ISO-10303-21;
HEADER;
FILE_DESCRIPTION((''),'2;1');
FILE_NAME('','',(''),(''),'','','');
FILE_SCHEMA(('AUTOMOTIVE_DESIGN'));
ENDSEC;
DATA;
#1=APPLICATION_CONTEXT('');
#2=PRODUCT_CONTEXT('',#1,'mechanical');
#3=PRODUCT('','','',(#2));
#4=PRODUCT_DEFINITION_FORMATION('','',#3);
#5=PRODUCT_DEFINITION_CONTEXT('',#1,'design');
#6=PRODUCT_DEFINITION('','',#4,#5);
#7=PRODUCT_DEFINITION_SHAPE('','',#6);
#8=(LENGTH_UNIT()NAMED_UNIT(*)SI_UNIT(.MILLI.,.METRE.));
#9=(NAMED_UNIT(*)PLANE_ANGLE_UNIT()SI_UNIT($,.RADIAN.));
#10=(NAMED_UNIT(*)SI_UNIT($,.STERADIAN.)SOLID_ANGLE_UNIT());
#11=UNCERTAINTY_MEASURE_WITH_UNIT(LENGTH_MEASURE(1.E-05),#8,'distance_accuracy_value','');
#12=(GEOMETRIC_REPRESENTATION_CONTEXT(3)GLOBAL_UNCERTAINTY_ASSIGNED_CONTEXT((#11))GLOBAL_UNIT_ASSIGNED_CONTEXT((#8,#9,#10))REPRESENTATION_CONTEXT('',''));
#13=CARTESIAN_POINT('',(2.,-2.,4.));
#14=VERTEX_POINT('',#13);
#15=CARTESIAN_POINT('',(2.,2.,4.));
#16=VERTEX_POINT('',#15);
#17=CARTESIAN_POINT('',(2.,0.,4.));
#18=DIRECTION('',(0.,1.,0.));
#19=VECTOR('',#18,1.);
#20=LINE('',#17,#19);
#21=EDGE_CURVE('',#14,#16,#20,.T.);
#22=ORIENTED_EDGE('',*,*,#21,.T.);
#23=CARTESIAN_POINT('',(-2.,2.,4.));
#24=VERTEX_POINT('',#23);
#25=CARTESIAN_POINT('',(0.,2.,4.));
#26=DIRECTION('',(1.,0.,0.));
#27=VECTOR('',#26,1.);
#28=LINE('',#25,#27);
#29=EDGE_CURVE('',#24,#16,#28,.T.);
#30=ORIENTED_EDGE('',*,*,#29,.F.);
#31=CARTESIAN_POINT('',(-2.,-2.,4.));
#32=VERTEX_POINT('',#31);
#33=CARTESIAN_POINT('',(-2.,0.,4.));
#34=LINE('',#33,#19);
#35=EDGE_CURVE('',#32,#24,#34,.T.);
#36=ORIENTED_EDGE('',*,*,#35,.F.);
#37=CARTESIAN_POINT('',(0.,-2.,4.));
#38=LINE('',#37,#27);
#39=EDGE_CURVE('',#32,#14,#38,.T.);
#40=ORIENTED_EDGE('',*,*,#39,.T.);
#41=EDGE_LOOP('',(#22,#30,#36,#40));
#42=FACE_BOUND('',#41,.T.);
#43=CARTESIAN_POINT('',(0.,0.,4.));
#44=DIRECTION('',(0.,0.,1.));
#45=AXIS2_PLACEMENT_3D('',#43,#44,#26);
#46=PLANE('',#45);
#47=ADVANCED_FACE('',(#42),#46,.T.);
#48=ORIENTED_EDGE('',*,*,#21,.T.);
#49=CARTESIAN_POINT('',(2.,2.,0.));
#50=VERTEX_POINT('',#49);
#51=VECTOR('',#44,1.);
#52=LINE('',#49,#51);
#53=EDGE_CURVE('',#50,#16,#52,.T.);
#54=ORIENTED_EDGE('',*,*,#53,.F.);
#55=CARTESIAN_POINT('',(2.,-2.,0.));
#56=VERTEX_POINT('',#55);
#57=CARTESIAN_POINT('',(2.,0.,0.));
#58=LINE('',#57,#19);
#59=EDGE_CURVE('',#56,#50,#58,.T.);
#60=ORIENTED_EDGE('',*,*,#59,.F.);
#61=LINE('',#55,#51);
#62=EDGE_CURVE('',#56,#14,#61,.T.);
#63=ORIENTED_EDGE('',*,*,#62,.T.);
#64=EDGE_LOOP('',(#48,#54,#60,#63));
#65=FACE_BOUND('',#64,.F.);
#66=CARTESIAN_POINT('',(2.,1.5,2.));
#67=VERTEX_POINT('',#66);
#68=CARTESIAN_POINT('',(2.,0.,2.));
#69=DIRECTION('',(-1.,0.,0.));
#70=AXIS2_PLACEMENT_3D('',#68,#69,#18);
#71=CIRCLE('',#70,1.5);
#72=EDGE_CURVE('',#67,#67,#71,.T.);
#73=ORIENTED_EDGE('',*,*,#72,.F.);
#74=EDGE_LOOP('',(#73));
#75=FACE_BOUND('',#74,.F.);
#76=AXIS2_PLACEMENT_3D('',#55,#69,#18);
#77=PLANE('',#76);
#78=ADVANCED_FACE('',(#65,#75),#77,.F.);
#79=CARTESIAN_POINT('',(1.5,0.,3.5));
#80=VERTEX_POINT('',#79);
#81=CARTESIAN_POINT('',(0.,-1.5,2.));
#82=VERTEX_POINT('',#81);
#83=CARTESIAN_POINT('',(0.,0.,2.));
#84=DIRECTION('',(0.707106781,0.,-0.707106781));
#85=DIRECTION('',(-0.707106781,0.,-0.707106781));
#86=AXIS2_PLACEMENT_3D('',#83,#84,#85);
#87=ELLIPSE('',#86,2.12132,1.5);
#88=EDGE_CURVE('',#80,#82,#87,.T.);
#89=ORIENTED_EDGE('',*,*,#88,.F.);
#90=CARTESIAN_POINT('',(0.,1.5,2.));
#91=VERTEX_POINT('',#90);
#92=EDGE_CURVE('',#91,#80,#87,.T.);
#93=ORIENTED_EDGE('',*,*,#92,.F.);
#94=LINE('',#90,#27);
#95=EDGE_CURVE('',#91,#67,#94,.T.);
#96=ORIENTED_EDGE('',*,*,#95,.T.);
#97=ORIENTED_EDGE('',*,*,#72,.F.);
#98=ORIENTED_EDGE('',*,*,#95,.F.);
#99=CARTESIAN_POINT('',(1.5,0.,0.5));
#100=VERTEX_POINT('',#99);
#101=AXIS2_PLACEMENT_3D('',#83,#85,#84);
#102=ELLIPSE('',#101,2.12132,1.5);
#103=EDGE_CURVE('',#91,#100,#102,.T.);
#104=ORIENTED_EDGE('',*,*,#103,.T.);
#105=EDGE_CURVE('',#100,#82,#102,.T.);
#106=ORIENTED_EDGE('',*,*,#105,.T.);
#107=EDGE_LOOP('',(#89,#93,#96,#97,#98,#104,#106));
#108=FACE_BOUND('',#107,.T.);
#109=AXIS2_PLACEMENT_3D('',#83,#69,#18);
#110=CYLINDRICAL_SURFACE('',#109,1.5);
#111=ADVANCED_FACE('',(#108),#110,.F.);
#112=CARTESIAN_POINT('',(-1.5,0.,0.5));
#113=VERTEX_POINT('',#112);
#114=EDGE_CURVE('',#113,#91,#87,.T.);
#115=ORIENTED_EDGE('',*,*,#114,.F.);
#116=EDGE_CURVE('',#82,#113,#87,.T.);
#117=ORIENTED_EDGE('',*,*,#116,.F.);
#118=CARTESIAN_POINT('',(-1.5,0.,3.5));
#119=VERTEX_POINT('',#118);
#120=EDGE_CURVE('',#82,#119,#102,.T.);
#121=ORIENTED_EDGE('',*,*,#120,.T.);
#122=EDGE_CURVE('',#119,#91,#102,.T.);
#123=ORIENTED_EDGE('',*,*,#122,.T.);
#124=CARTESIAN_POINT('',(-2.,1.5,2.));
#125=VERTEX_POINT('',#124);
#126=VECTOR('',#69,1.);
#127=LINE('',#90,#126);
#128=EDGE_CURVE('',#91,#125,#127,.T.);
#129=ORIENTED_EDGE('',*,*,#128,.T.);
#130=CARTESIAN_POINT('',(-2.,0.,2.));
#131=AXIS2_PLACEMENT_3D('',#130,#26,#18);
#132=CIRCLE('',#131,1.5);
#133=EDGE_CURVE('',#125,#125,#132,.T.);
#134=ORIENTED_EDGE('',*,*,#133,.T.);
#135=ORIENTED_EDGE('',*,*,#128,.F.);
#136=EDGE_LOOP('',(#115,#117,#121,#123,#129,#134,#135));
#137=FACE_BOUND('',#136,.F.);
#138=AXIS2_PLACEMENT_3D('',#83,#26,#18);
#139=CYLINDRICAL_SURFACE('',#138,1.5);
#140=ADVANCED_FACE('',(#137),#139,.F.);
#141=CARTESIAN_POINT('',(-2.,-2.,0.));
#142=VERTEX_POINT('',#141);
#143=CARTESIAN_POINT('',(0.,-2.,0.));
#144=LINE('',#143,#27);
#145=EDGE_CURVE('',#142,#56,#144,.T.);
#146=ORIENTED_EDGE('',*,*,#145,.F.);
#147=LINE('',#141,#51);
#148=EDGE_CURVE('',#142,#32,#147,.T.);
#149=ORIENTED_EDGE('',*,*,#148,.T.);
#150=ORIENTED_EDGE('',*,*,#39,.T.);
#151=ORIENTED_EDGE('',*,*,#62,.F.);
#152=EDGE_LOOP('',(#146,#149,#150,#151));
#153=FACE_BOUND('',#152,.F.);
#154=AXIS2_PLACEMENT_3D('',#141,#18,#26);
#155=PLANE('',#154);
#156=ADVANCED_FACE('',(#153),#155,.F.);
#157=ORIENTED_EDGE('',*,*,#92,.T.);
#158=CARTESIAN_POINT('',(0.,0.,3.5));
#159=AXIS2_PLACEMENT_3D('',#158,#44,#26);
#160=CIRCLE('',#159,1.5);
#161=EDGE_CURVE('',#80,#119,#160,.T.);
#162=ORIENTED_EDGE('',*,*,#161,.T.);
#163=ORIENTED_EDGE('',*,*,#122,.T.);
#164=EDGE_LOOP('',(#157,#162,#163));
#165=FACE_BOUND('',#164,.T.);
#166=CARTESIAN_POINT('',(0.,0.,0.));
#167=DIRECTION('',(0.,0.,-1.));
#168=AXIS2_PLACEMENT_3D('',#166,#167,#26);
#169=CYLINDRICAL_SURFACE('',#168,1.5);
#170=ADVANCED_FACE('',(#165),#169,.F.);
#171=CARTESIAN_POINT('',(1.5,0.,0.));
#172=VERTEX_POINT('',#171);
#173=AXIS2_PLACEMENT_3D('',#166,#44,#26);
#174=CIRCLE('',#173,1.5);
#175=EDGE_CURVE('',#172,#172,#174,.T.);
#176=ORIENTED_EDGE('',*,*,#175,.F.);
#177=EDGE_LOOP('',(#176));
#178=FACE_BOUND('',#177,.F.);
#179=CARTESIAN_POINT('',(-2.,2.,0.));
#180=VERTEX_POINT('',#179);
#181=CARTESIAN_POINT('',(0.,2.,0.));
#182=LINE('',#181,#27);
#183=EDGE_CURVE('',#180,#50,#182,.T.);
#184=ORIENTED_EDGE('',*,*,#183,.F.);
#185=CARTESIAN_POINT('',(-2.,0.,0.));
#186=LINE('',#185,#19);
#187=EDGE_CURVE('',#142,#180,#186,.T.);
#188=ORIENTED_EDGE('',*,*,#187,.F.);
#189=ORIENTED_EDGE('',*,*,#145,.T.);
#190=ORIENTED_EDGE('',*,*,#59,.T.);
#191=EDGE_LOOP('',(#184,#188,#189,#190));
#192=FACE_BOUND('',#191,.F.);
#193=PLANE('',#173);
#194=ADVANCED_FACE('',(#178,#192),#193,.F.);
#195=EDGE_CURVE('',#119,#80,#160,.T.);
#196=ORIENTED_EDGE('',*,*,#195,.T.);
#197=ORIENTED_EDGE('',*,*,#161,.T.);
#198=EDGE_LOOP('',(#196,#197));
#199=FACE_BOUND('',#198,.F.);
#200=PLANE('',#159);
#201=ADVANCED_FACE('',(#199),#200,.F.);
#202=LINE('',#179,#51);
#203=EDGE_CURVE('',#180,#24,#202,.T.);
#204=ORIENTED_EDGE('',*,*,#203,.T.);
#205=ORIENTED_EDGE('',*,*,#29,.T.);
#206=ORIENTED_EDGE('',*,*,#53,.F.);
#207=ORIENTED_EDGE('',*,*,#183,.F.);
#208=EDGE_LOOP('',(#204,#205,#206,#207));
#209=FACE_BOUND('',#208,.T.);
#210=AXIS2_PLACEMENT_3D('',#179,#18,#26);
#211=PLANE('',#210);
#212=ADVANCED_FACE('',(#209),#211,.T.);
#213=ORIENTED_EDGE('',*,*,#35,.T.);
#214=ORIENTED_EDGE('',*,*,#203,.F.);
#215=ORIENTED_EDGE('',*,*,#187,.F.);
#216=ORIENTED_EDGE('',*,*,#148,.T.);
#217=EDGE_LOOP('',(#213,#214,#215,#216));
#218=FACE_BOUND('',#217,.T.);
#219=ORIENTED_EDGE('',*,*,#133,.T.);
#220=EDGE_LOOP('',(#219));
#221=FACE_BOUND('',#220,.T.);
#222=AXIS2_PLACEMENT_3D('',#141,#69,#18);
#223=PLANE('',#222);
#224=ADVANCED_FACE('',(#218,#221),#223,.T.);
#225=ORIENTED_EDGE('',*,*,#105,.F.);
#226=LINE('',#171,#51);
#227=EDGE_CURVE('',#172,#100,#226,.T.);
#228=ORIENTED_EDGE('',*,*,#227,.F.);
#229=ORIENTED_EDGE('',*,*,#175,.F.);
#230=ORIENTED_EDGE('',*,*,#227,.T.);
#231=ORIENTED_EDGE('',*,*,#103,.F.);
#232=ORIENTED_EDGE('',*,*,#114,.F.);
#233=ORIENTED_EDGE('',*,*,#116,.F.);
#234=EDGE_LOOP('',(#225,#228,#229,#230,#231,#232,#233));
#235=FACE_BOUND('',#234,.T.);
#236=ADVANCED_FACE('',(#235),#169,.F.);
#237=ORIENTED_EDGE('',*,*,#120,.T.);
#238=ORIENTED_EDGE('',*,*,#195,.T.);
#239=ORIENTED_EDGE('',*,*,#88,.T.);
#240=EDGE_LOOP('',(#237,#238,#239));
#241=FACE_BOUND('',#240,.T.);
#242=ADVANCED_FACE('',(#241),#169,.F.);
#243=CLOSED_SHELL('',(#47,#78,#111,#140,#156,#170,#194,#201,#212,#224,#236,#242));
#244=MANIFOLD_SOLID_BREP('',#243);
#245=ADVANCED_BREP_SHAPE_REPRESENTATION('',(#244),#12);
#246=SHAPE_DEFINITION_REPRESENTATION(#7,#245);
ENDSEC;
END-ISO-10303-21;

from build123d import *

# Parameters (mm, degrees)
F0_W          = 4
F0_H          = 4
F1_DEPTH      = 4
F2_R          = 1.5
F3_DEPTH      = 3.5
F4_R          = 1.5
F5_DEPTH      = 25.4
F5_DEPTH_BACK = 25.4


with BuildPart() as f1:
    # F0 (on Top) → F1 (new body)
    with BuildSketch(Plane.XY):
        Rectangle(F0_W, F0_H)
    extrude(amount=F1_DEPTH)

    # F2 (on Top) → F3 (cut)
    with BuildSketch(Plane.XY):
        Circle(F2_R)
    extrude(amount=F3_DEPTH, mode=Mode.SUBTRACT)

    # F4 (on Right) → F5 (cut, two sides)
    with BuildSketch(Plane.YZ) as f5_sk:
        with Locations((0, 2)):
            Circle(F4_R)
    extrude(amount=-F5_DEPTH, mode=Mode.SUBTRACT)
    extrude(f5_sk.sketch, amount=F5_DEPTH_BACK, mode=Mode.SUBTRACT)


solid = f1.part
